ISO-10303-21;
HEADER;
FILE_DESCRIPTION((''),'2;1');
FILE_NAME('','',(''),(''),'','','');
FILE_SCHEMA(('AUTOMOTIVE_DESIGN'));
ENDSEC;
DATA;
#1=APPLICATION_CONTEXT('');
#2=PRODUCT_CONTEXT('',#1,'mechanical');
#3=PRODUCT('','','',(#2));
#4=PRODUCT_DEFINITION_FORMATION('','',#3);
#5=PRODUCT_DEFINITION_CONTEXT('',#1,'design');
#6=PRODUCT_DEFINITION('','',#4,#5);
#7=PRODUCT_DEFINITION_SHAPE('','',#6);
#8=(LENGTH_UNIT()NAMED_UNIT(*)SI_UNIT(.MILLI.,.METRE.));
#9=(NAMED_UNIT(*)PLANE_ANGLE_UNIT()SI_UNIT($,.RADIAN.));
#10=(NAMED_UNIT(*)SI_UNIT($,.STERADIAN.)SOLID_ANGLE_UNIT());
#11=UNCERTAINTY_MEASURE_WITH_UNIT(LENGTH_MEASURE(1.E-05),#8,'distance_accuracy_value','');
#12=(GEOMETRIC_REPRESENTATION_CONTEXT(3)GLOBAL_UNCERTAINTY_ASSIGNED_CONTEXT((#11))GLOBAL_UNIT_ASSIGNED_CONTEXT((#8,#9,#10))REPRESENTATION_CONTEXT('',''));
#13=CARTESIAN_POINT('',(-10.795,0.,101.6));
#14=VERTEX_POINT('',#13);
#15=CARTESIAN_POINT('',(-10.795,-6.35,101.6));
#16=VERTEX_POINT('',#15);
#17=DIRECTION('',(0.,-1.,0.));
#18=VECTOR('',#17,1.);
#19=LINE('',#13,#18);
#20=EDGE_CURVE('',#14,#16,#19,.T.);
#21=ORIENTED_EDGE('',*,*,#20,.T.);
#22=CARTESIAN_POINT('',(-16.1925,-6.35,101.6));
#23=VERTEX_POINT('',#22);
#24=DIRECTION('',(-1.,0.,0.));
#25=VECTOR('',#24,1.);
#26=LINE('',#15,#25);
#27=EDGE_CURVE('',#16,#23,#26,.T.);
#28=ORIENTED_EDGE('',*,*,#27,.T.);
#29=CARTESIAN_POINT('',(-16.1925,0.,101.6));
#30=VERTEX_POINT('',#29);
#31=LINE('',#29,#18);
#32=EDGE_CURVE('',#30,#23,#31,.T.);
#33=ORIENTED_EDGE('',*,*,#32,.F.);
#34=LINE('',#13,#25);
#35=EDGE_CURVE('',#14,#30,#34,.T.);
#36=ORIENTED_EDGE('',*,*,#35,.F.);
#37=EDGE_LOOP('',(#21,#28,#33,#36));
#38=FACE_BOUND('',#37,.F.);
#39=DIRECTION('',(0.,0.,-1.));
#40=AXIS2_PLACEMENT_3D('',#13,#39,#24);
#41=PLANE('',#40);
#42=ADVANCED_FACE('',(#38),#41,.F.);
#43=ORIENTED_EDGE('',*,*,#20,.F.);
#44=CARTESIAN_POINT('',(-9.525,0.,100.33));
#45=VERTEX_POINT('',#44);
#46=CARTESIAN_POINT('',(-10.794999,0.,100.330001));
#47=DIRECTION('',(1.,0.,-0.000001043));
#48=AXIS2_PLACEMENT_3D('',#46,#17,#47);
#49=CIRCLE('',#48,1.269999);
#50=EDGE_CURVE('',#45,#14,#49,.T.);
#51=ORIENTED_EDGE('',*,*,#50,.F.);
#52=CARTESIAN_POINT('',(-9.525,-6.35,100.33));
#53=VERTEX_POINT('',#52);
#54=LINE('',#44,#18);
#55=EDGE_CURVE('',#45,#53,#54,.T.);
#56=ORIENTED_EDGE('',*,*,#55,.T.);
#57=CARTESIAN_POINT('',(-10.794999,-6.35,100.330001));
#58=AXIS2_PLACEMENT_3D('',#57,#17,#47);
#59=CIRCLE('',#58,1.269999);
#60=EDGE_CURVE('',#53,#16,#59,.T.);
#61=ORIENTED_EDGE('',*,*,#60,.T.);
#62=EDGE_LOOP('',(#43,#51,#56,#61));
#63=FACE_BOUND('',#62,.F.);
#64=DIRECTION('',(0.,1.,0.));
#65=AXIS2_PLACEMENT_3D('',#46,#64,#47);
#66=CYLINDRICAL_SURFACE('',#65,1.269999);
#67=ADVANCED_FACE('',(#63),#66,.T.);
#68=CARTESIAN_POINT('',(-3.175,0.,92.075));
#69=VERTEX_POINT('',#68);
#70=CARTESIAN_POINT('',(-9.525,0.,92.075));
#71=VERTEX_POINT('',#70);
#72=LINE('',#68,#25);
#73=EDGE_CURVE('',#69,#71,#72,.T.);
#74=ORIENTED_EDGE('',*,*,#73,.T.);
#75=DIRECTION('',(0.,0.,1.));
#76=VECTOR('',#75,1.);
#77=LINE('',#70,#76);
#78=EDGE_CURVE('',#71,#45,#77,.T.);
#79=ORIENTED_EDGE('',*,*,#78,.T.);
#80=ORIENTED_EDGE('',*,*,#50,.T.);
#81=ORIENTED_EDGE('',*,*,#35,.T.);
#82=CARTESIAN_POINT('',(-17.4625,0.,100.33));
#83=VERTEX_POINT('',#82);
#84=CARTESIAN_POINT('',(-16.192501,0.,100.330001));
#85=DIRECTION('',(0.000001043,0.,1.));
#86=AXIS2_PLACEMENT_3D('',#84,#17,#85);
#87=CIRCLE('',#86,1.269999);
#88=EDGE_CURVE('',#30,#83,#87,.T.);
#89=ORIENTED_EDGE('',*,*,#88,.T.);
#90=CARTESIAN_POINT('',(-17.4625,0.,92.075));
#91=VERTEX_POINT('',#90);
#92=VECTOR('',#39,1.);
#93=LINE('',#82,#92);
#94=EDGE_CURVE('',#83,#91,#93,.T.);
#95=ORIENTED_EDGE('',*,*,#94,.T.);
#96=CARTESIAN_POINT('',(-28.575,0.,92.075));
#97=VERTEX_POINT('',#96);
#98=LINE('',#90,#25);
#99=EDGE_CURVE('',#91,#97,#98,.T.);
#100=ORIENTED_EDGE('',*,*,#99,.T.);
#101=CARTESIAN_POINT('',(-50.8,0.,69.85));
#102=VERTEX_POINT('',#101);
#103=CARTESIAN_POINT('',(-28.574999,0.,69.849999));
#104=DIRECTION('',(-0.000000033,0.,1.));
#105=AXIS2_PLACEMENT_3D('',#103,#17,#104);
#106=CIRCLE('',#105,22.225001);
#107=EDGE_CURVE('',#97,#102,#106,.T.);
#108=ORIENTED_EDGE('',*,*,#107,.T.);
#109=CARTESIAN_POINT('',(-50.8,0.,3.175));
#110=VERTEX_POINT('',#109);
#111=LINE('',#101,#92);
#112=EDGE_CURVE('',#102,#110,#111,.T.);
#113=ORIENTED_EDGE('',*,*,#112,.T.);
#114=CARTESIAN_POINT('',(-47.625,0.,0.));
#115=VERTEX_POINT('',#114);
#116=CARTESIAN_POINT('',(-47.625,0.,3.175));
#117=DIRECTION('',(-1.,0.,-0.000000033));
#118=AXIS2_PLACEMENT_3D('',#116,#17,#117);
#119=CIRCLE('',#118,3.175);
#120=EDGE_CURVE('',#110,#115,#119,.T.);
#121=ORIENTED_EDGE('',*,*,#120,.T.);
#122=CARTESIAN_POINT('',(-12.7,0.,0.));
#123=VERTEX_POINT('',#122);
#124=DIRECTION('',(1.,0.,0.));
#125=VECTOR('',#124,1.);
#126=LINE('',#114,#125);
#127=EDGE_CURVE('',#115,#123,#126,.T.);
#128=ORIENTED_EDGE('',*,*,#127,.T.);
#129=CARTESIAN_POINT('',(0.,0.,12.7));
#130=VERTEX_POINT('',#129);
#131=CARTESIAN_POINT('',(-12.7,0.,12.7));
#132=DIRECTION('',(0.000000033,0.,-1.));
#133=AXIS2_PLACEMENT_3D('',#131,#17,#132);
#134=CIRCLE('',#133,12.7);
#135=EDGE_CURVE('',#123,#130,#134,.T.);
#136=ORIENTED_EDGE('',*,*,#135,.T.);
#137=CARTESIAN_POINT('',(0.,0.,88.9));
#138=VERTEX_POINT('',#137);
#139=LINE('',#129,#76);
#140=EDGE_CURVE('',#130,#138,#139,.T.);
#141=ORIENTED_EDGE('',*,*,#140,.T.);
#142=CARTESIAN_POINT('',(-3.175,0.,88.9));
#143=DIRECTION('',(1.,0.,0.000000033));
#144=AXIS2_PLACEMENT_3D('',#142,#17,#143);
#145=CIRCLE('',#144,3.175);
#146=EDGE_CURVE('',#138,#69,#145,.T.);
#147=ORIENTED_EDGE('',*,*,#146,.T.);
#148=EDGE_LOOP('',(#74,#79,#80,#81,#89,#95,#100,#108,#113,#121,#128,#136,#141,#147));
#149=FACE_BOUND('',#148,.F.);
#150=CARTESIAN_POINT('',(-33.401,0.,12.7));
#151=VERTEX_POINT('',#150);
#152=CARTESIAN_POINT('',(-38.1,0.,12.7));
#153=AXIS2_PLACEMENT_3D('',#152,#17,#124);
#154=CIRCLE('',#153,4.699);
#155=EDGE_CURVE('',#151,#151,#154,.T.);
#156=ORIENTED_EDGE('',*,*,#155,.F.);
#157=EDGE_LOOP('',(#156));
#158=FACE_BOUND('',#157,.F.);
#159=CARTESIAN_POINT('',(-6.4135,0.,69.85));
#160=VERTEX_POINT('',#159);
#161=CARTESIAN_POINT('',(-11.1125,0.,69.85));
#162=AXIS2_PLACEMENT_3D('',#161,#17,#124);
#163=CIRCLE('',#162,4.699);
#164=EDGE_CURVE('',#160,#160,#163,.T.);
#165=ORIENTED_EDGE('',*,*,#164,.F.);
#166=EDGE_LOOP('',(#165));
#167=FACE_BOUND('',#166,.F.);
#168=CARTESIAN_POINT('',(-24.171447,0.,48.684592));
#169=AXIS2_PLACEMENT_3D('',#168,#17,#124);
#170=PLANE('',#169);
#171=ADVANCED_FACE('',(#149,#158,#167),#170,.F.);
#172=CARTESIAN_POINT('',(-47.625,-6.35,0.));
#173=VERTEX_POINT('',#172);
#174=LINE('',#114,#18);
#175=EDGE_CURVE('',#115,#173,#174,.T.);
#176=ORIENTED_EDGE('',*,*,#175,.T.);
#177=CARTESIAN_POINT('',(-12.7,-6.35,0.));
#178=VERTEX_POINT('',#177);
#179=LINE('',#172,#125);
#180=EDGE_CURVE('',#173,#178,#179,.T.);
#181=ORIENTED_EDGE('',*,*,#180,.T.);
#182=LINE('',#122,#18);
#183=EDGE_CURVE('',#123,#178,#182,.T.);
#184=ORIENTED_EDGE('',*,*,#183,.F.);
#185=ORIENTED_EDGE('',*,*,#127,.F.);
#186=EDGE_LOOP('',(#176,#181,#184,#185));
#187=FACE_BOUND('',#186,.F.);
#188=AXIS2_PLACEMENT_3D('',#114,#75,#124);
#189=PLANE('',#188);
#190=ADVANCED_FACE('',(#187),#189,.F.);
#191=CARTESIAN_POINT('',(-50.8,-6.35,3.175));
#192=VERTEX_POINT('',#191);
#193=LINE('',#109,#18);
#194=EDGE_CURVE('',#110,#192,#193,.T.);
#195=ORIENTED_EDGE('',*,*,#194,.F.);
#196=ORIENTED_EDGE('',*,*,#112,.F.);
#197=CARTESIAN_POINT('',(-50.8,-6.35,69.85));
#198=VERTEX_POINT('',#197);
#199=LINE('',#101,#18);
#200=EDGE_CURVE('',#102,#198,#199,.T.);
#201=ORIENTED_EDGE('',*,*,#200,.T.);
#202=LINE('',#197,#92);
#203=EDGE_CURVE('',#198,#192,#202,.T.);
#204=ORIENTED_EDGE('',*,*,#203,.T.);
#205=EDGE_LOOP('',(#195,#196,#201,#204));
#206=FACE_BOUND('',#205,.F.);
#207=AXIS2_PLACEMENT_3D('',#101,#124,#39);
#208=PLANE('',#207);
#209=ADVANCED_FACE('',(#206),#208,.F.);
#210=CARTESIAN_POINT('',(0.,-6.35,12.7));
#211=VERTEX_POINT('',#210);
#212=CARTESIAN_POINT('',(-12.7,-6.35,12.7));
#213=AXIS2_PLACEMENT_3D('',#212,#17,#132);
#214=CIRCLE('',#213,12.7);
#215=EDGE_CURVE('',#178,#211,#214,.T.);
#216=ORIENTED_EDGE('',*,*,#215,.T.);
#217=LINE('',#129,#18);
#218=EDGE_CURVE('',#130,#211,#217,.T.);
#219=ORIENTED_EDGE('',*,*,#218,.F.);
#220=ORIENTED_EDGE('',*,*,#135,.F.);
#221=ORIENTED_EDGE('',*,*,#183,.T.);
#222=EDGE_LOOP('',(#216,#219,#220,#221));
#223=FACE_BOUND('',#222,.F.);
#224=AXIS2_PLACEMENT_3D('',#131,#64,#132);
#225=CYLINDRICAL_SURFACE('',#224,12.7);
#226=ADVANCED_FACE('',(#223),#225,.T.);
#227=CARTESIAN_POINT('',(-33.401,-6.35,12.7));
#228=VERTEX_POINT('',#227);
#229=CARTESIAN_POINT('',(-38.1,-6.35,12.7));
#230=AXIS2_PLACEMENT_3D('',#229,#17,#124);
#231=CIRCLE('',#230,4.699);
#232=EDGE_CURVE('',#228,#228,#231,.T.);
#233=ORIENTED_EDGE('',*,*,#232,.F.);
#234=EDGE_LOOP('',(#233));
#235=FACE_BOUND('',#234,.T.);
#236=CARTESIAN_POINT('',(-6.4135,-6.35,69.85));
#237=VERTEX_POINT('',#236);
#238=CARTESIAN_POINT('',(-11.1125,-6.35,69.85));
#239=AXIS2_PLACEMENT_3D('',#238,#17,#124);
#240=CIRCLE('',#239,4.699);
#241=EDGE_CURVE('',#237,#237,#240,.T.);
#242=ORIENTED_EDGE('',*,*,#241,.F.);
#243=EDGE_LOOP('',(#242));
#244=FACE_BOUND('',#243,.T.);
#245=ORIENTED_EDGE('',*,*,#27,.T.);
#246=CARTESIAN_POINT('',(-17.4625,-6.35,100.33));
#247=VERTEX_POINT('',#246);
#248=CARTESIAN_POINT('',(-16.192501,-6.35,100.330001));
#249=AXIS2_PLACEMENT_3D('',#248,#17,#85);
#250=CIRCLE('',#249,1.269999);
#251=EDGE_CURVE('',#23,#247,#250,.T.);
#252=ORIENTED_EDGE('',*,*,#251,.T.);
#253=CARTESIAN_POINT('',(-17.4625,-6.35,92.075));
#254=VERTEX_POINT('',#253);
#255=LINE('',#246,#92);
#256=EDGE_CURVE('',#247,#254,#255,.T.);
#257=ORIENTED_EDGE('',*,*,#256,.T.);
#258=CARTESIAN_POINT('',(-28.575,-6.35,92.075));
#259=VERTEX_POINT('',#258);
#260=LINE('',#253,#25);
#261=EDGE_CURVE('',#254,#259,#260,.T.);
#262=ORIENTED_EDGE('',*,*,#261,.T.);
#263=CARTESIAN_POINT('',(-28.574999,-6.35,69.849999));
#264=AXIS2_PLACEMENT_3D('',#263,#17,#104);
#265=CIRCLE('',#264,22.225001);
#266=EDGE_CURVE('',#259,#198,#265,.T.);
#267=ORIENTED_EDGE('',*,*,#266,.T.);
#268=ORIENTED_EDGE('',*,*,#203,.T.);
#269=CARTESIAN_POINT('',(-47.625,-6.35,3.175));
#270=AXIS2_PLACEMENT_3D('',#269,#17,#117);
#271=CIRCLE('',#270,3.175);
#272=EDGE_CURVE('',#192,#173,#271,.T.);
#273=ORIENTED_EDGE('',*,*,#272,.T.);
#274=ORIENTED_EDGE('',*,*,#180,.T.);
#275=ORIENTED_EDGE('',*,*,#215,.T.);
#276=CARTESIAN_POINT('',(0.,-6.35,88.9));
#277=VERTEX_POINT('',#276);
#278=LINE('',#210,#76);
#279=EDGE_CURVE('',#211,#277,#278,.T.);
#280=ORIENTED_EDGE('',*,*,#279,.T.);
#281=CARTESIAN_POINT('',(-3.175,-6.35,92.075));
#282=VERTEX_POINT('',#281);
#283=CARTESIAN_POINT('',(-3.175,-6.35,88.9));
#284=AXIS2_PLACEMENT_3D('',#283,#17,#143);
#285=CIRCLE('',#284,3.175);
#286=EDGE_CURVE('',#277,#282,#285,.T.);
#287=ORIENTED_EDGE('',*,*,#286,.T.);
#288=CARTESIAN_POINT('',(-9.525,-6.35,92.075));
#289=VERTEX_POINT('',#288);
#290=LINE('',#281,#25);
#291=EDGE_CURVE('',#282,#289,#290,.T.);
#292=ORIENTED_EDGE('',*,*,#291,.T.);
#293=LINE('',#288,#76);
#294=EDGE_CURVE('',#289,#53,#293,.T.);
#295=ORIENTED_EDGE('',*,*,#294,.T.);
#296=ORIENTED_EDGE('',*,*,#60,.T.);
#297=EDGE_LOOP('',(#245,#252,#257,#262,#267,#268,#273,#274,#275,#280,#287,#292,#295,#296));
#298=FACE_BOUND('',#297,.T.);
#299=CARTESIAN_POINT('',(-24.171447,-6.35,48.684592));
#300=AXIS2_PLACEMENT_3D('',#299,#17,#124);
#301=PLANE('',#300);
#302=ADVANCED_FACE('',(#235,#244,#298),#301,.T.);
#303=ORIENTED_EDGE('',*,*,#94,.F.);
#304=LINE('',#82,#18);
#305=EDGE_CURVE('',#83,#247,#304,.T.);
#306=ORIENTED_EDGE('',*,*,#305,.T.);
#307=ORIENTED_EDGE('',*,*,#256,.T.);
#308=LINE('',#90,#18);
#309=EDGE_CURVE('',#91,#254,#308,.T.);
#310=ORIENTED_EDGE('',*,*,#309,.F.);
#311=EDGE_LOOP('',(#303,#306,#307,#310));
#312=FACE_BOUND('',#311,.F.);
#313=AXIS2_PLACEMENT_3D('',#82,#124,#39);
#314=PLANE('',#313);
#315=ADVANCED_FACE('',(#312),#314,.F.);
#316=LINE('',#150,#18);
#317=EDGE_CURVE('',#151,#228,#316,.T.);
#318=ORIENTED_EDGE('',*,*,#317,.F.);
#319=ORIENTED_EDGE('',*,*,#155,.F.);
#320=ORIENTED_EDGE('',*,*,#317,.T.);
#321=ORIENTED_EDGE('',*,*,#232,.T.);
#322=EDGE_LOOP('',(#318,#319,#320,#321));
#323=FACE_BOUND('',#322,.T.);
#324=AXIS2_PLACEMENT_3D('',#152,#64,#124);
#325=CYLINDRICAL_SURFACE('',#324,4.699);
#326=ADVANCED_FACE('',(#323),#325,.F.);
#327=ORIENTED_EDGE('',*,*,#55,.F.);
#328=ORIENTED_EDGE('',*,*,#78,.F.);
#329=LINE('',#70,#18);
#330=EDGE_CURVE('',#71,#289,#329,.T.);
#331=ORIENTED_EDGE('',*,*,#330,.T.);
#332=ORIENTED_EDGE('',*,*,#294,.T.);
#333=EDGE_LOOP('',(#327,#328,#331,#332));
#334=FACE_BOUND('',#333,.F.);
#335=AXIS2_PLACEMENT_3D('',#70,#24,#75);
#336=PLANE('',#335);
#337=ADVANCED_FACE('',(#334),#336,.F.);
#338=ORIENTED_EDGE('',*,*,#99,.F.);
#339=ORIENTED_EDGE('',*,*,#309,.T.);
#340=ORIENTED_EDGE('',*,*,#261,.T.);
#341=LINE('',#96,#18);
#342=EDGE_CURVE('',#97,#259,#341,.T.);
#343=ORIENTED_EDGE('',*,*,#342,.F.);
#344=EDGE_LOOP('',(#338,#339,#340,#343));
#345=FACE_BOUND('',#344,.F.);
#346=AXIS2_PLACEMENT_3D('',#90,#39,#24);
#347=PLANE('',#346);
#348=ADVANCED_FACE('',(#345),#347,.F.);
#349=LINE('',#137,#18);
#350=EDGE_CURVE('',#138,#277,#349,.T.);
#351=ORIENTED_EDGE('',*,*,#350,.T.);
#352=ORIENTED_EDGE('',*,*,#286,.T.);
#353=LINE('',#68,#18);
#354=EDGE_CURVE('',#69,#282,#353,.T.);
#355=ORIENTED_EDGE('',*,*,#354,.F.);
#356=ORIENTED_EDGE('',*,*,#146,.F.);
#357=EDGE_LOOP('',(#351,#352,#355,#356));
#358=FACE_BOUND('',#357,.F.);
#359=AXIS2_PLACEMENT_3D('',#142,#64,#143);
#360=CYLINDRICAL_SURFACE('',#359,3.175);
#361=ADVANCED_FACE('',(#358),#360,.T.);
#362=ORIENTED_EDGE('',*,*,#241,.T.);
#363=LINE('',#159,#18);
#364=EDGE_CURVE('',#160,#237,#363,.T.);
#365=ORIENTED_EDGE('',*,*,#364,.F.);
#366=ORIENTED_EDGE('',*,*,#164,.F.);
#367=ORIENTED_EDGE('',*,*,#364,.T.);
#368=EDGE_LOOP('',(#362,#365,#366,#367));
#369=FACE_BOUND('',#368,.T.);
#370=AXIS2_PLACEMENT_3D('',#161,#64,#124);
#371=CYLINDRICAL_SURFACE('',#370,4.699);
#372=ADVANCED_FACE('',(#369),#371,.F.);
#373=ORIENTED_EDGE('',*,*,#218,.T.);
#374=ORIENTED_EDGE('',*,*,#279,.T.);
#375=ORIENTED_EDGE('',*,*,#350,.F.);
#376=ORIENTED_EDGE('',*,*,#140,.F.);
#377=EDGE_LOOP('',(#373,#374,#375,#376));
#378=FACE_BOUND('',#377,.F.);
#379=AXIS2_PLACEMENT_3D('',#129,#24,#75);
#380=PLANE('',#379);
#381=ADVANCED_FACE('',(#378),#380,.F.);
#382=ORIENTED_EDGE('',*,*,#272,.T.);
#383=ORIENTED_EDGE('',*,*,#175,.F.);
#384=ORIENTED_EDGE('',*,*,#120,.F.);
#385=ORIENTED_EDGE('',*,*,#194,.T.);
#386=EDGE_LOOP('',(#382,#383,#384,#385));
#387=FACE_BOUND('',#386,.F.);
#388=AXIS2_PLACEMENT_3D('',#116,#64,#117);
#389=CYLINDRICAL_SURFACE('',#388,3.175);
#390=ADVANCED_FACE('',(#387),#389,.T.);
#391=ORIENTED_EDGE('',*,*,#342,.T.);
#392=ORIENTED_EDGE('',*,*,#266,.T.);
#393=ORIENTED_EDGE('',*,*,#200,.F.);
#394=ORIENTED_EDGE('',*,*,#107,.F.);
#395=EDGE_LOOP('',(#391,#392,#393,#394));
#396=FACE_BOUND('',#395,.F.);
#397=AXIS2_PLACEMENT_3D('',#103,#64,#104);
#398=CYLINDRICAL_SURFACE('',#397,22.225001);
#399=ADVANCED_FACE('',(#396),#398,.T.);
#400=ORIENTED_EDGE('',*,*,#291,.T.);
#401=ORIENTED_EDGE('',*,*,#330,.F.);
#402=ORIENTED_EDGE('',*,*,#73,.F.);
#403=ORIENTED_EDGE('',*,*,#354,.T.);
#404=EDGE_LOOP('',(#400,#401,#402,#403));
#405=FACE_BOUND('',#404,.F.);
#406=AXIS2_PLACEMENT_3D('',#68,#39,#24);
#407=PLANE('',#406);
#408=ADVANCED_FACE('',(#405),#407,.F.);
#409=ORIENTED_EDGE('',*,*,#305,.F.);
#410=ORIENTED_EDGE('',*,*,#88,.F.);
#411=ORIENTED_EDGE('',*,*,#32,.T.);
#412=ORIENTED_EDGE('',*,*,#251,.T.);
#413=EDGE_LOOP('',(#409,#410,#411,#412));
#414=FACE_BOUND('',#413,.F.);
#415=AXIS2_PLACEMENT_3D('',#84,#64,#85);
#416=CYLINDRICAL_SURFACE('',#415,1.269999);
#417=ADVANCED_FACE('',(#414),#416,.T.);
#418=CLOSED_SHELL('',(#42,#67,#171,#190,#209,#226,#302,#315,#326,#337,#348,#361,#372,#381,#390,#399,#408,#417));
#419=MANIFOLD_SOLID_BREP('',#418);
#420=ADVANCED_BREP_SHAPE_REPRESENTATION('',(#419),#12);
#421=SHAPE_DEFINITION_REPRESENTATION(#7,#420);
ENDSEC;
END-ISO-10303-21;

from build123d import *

# Parameters (mm, degrees)
F0_R     = 4.699
F1_DEPTH = 6.35


with BuildPart() as f1:
    # F0 (on Front) → F1 (new body)
    with BuildSketch(Plane.XZ):
        with BuildLine():
            ThreePointArc((-12.7, 0), (-3.719744, 3.719744), (0, 12.7))
            Line((0, 12.7), (0, 88.9))
            ThreePointArc((0, 88.9), (-0.929936, 91.145064), (-3.175, 92.075))
            Line((-3.175, 92.075), (-9.525, 92.075))
            Line((-9.525, 92.075), (-9.525, 100.33))
            ThreePointArc((-9.525, 100.33), (-9.896974, 101.228026), (-10.795, 101.6))
            Line((-10.795, 101.6), (-16.1925, 101.6))
            ThreePointArc((-16.1925, 101.6), (-17.090526, 101.228026), (-17.4625, 100.33))
            Line((-17.4625, 100.33), (-17.4625, 92.075))
            Line((-17.4625, 92.075), (-28.575, 92.075))
            ThreePointArc((-28.575, 92.075), (-44.290448, 85.565448), (-50.8, 69.85))
            Line((-50.8, 69.85), (-50.8, 3.175))
            ThreePointArc((-50.8, 3.175), (-49.870064, 0.929936), (-47.625, 0))
            Line((-47.625, 0), (-12.7, 0))
        make_face()
        with Locations((-38.1, 12.7)):
            Circle(F0_R, mode=Mode.SUBTRACT)
        with Locations((-11.1125, 69.85)):
            Circle(F0_R, mode=Mode.SUBTRACT)
    extrude(amount=F1_DEPTH)


solid = f1.part
